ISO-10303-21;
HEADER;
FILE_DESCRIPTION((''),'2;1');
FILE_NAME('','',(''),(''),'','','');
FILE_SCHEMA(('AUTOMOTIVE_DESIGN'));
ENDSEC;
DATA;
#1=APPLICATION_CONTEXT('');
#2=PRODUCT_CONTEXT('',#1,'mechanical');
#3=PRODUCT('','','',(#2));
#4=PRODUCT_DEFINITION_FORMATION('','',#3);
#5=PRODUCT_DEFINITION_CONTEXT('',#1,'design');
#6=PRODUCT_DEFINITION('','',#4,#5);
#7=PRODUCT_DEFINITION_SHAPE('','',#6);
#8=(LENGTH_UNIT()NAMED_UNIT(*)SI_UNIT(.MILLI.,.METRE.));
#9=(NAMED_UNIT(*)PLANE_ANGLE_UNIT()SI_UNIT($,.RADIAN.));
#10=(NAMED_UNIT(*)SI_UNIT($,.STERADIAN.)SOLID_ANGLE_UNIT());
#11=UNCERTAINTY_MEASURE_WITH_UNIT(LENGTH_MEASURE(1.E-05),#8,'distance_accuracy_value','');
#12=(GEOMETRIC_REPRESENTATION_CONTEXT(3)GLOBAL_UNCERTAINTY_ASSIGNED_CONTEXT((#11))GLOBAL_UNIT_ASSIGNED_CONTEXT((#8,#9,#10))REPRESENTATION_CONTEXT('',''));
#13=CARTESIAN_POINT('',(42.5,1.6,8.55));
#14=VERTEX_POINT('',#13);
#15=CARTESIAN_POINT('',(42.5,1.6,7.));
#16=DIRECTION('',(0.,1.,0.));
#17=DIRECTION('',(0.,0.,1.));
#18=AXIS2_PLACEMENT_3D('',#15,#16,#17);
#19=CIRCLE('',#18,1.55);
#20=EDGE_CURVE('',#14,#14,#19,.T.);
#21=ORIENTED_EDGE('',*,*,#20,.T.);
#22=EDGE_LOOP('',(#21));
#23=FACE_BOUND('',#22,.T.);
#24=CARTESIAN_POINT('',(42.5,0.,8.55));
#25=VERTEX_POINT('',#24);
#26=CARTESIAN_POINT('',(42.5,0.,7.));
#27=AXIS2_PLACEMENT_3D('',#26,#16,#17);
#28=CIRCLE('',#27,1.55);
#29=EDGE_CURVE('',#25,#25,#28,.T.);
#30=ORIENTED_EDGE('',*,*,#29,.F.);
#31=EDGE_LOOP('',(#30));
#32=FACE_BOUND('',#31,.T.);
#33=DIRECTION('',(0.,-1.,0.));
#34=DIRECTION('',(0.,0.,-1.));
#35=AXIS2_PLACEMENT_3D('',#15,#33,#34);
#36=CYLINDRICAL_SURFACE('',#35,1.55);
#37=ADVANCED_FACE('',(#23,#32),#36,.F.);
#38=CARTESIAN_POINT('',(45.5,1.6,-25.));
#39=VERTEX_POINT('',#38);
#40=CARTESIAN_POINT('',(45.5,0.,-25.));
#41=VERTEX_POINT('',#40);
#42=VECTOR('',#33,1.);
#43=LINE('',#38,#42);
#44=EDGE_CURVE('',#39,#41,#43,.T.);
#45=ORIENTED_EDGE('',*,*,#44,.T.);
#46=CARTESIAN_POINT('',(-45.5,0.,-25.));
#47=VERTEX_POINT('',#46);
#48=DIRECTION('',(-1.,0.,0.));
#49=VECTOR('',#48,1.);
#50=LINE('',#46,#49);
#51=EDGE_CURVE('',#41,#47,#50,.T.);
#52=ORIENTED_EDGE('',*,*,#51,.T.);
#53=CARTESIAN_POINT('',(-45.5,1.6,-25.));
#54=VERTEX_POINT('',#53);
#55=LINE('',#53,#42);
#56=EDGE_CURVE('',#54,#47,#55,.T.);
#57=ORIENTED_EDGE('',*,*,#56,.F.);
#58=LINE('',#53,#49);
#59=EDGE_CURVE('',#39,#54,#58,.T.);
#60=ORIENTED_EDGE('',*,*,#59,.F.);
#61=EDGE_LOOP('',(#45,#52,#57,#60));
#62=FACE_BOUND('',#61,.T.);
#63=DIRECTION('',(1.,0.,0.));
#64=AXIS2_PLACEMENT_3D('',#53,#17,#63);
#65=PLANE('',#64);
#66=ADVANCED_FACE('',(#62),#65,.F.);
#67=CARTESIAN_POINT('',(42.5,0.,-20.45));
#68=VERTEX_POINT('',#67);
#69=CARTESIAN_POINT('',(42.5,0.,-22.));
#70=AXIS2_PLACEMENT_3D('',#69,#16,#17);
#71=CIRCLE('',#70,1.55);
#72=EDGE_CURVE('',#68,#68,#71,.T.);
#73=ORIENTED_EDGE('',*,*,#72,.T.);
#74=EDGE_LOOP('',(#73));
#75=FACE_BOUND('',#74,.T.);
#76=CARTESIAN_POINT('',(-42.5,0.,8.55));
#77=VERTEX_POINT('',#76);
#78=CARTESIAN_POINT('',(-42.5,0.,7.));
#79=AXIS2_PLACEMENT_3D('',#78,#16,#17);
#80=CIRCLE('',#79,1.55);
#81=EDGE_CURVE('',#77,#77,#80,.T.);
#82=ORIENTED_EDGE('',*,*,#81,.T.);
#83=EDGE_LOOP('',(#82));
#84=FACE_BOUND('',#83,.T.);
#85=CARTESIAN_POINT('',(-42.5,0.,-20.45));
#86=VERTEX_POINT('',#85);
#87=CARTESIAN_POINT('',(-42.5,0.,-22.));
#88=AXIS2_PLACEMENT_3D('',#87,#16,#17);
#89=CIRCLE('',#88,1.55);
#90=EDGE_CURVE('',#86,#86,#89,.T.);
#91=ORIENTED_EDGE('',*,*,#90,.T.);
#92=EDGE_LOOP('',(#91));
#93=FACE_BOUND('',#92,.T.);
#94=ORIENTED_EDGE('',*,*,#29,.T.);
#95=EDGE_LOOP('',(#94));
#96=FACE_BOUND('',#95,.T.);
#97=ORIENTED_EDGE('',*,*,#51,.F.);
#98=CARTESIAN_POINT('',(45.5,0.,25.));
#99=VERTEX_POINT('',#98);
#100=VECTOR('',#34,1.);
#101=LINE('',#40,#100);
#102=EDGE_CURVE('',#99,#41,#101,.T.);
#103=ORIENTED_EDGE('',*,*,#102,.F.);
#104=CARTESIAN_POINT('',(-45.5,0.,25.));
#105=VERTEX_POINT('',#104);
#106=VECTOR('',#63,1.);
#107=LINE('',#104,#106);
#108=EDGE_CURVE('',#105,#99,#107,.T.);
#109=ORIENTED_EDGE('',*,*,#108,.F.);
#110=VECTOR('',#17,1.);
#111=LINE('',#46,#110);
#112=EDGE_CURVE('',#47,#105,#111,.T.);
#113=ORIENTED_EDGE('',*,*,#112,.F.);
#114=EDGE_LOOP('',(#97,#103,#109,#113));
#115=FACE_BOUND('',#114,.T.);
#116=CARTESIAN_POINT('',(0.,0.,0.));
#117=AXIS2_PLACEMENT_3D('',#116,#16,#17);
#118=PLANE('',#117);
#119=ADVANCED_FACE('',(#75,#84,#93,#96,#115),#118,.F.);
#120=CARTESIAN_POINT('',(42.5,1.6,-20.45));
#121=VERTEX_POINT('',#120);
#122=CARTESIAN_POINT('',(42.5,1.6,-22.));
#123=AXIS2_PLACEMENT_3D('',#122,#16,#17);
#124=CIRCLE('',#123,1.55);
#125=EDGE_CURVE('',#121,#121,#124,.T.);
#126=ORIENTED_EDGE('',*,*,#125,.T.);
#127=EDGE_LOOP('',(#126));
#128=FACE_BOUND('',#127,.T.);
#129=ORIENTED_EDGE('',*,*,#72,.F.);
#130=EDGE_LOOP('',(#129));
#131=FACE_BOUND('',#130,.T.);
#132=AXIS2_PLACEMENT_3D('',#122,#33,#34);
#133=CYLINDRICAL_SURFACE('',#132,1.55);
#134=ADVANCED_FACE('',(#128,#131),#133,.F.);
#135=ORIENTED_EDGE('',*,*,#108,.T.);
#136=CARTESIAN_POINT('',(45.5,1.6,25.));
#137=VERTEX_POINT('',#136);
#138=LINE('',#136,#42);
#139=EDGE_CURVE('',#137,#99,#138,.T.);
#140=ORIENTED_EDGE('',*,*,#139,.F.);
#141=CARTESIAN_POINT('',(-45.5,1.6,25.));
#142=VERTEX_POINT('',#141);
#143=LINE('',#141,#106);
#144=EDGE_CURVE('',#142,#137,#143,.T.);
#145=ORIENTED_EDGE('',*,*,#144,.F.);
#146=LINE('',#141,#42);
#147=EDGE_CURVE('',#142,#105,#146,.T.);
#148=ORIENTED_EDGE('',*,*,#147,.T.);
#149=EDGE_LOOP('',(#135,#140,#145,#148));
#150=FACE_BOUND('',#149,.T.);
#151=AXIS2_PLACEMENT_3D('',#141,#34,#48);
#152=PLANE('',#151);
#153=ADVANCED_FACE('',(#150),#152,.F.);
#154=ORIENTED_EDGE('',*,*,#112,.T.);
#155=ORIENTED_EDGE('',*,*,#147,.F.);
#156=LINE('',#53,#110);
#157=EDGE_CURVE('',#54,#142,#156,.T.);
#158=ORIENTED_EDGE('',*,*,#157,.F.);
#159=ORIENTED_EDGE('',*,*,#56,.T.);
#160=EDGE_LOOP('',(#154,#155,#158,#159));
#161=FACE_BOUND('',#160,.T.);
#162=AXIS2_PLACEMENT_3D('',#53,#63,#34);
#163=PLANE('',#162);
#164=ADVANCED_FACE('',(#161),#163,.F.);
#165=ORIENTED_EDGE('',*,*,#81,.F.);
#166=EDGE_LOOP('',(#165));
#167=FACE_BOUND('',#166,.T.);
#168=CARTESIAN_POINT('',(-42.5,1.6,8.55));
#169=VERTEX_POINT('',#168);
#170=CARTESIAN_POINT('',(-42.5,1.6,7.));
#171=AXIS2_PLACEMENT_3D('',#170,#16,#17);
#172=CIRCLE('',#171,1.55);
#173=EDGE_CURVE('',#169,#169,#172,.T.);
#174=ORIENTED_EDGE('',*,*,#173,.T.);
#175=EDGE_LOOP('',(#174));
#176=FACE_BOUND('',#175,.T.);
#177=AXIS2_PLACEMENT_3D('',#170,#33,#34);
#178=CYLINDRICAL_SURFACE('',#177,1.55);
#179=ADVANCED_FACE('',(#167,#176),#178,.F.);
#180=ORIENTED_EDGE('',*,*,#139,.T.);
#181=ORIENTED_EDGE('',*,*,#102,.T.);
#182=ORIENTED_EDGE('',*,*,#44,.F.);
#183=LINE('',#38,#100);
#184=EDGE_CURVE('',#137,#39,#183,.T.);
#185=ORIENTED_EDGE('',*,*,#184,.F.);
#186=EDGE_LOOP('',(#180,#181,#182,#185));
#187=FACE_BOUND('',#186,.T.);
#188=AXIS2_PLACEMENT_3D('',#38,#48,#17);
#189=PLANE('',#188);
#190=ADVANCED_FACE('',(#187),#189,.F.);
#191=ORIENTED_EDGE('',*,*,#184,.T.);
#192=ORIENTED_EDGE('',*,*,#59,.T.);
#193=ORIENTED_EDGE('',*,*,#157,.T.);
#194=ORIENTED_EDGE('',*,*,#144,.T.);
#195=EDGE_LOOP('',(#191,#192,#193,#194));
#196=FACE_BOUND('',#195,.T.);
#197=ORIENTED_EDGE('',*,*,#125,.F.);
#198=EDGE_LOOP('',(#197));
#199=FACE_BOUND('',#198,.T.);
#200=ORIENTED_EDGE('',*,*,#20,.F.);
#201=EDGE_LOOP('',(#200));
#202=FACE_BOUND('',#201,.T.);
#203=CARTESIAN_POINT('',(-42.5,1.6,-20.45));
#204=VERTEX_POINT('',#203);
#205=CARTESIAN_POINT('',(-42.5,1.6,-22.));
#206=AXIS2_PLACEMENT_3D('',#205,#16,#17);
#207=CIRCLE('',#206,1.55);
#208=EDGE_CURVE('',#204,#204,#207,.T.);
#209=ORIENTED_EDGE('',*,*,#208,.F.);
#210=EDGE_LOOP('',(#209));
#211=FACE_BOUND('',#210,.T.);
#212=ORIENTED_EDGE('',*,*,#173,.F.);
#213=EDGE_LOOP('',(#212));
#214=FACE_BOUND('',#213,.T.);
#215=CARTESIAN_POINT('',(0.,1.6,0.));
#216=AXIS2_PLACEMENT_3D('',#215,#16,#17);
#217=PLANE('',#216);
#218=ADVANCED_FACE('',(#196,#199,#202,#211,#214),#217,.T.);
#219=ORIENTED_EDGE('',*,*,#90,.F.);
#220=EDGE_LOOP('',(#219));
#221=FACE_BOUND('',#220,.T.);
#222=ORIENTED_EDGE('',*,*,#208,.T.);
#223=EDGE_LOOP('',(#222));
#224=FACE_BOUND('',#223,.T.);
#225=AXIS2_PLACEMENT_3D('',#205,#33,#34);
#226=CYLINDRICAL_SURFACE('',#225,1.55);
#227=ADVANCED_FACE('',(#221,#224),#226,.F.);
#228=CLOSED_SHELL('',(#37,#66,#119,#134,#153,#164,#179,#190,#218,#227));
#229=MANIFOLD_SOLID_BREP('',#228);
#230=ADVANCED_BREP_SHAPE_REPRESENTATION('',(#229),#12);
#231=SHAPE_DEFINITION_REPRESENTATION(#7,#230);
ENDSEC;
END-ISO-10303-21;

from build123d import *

# Parameters (mm, degrees)
SKETCH_1_W      = 91
SKETCH_1_H      = 50
SKETCH_1_R      = 1.55
EXTRUDE_1_DEPTH = 1.6


with BuildPart() as part:
    # 草图1 → 凸台-拉伸1 (new body)
    with BuildSketch(Plane(origin=(0, 0, 0), x_dir=(1, 0, 0), z_dir=(0, 1, 0))):
        Rectangle(SKETCH_1_W, SKETCH_1_H)
        with Locations(Location((-42.5, -7, 0), (0, 0, 270))):
            Circle(SKETCH_1_R, mode=Mode.SUBTRACT)
        with Locations(Location((-42.5, 22, 0), (0, 0, 270))):
            Circle(SKETCH_1_R, mode=Mode.SUBTRACT)
        with Locations(Location((42.5, 22, 0), (0, 0, 270))):
            Circle(SKETCH_1_R, mode=Mode.SUBTRACT)
        with Locations(Location((42.5, -7, 0), (0, 0, 270))):
            Circle(SKETCH_1_R, mode=Mode.SUBTRACT)
    extrude(amount=EXTRUDE_1_DEPTH)


solid = part.part
